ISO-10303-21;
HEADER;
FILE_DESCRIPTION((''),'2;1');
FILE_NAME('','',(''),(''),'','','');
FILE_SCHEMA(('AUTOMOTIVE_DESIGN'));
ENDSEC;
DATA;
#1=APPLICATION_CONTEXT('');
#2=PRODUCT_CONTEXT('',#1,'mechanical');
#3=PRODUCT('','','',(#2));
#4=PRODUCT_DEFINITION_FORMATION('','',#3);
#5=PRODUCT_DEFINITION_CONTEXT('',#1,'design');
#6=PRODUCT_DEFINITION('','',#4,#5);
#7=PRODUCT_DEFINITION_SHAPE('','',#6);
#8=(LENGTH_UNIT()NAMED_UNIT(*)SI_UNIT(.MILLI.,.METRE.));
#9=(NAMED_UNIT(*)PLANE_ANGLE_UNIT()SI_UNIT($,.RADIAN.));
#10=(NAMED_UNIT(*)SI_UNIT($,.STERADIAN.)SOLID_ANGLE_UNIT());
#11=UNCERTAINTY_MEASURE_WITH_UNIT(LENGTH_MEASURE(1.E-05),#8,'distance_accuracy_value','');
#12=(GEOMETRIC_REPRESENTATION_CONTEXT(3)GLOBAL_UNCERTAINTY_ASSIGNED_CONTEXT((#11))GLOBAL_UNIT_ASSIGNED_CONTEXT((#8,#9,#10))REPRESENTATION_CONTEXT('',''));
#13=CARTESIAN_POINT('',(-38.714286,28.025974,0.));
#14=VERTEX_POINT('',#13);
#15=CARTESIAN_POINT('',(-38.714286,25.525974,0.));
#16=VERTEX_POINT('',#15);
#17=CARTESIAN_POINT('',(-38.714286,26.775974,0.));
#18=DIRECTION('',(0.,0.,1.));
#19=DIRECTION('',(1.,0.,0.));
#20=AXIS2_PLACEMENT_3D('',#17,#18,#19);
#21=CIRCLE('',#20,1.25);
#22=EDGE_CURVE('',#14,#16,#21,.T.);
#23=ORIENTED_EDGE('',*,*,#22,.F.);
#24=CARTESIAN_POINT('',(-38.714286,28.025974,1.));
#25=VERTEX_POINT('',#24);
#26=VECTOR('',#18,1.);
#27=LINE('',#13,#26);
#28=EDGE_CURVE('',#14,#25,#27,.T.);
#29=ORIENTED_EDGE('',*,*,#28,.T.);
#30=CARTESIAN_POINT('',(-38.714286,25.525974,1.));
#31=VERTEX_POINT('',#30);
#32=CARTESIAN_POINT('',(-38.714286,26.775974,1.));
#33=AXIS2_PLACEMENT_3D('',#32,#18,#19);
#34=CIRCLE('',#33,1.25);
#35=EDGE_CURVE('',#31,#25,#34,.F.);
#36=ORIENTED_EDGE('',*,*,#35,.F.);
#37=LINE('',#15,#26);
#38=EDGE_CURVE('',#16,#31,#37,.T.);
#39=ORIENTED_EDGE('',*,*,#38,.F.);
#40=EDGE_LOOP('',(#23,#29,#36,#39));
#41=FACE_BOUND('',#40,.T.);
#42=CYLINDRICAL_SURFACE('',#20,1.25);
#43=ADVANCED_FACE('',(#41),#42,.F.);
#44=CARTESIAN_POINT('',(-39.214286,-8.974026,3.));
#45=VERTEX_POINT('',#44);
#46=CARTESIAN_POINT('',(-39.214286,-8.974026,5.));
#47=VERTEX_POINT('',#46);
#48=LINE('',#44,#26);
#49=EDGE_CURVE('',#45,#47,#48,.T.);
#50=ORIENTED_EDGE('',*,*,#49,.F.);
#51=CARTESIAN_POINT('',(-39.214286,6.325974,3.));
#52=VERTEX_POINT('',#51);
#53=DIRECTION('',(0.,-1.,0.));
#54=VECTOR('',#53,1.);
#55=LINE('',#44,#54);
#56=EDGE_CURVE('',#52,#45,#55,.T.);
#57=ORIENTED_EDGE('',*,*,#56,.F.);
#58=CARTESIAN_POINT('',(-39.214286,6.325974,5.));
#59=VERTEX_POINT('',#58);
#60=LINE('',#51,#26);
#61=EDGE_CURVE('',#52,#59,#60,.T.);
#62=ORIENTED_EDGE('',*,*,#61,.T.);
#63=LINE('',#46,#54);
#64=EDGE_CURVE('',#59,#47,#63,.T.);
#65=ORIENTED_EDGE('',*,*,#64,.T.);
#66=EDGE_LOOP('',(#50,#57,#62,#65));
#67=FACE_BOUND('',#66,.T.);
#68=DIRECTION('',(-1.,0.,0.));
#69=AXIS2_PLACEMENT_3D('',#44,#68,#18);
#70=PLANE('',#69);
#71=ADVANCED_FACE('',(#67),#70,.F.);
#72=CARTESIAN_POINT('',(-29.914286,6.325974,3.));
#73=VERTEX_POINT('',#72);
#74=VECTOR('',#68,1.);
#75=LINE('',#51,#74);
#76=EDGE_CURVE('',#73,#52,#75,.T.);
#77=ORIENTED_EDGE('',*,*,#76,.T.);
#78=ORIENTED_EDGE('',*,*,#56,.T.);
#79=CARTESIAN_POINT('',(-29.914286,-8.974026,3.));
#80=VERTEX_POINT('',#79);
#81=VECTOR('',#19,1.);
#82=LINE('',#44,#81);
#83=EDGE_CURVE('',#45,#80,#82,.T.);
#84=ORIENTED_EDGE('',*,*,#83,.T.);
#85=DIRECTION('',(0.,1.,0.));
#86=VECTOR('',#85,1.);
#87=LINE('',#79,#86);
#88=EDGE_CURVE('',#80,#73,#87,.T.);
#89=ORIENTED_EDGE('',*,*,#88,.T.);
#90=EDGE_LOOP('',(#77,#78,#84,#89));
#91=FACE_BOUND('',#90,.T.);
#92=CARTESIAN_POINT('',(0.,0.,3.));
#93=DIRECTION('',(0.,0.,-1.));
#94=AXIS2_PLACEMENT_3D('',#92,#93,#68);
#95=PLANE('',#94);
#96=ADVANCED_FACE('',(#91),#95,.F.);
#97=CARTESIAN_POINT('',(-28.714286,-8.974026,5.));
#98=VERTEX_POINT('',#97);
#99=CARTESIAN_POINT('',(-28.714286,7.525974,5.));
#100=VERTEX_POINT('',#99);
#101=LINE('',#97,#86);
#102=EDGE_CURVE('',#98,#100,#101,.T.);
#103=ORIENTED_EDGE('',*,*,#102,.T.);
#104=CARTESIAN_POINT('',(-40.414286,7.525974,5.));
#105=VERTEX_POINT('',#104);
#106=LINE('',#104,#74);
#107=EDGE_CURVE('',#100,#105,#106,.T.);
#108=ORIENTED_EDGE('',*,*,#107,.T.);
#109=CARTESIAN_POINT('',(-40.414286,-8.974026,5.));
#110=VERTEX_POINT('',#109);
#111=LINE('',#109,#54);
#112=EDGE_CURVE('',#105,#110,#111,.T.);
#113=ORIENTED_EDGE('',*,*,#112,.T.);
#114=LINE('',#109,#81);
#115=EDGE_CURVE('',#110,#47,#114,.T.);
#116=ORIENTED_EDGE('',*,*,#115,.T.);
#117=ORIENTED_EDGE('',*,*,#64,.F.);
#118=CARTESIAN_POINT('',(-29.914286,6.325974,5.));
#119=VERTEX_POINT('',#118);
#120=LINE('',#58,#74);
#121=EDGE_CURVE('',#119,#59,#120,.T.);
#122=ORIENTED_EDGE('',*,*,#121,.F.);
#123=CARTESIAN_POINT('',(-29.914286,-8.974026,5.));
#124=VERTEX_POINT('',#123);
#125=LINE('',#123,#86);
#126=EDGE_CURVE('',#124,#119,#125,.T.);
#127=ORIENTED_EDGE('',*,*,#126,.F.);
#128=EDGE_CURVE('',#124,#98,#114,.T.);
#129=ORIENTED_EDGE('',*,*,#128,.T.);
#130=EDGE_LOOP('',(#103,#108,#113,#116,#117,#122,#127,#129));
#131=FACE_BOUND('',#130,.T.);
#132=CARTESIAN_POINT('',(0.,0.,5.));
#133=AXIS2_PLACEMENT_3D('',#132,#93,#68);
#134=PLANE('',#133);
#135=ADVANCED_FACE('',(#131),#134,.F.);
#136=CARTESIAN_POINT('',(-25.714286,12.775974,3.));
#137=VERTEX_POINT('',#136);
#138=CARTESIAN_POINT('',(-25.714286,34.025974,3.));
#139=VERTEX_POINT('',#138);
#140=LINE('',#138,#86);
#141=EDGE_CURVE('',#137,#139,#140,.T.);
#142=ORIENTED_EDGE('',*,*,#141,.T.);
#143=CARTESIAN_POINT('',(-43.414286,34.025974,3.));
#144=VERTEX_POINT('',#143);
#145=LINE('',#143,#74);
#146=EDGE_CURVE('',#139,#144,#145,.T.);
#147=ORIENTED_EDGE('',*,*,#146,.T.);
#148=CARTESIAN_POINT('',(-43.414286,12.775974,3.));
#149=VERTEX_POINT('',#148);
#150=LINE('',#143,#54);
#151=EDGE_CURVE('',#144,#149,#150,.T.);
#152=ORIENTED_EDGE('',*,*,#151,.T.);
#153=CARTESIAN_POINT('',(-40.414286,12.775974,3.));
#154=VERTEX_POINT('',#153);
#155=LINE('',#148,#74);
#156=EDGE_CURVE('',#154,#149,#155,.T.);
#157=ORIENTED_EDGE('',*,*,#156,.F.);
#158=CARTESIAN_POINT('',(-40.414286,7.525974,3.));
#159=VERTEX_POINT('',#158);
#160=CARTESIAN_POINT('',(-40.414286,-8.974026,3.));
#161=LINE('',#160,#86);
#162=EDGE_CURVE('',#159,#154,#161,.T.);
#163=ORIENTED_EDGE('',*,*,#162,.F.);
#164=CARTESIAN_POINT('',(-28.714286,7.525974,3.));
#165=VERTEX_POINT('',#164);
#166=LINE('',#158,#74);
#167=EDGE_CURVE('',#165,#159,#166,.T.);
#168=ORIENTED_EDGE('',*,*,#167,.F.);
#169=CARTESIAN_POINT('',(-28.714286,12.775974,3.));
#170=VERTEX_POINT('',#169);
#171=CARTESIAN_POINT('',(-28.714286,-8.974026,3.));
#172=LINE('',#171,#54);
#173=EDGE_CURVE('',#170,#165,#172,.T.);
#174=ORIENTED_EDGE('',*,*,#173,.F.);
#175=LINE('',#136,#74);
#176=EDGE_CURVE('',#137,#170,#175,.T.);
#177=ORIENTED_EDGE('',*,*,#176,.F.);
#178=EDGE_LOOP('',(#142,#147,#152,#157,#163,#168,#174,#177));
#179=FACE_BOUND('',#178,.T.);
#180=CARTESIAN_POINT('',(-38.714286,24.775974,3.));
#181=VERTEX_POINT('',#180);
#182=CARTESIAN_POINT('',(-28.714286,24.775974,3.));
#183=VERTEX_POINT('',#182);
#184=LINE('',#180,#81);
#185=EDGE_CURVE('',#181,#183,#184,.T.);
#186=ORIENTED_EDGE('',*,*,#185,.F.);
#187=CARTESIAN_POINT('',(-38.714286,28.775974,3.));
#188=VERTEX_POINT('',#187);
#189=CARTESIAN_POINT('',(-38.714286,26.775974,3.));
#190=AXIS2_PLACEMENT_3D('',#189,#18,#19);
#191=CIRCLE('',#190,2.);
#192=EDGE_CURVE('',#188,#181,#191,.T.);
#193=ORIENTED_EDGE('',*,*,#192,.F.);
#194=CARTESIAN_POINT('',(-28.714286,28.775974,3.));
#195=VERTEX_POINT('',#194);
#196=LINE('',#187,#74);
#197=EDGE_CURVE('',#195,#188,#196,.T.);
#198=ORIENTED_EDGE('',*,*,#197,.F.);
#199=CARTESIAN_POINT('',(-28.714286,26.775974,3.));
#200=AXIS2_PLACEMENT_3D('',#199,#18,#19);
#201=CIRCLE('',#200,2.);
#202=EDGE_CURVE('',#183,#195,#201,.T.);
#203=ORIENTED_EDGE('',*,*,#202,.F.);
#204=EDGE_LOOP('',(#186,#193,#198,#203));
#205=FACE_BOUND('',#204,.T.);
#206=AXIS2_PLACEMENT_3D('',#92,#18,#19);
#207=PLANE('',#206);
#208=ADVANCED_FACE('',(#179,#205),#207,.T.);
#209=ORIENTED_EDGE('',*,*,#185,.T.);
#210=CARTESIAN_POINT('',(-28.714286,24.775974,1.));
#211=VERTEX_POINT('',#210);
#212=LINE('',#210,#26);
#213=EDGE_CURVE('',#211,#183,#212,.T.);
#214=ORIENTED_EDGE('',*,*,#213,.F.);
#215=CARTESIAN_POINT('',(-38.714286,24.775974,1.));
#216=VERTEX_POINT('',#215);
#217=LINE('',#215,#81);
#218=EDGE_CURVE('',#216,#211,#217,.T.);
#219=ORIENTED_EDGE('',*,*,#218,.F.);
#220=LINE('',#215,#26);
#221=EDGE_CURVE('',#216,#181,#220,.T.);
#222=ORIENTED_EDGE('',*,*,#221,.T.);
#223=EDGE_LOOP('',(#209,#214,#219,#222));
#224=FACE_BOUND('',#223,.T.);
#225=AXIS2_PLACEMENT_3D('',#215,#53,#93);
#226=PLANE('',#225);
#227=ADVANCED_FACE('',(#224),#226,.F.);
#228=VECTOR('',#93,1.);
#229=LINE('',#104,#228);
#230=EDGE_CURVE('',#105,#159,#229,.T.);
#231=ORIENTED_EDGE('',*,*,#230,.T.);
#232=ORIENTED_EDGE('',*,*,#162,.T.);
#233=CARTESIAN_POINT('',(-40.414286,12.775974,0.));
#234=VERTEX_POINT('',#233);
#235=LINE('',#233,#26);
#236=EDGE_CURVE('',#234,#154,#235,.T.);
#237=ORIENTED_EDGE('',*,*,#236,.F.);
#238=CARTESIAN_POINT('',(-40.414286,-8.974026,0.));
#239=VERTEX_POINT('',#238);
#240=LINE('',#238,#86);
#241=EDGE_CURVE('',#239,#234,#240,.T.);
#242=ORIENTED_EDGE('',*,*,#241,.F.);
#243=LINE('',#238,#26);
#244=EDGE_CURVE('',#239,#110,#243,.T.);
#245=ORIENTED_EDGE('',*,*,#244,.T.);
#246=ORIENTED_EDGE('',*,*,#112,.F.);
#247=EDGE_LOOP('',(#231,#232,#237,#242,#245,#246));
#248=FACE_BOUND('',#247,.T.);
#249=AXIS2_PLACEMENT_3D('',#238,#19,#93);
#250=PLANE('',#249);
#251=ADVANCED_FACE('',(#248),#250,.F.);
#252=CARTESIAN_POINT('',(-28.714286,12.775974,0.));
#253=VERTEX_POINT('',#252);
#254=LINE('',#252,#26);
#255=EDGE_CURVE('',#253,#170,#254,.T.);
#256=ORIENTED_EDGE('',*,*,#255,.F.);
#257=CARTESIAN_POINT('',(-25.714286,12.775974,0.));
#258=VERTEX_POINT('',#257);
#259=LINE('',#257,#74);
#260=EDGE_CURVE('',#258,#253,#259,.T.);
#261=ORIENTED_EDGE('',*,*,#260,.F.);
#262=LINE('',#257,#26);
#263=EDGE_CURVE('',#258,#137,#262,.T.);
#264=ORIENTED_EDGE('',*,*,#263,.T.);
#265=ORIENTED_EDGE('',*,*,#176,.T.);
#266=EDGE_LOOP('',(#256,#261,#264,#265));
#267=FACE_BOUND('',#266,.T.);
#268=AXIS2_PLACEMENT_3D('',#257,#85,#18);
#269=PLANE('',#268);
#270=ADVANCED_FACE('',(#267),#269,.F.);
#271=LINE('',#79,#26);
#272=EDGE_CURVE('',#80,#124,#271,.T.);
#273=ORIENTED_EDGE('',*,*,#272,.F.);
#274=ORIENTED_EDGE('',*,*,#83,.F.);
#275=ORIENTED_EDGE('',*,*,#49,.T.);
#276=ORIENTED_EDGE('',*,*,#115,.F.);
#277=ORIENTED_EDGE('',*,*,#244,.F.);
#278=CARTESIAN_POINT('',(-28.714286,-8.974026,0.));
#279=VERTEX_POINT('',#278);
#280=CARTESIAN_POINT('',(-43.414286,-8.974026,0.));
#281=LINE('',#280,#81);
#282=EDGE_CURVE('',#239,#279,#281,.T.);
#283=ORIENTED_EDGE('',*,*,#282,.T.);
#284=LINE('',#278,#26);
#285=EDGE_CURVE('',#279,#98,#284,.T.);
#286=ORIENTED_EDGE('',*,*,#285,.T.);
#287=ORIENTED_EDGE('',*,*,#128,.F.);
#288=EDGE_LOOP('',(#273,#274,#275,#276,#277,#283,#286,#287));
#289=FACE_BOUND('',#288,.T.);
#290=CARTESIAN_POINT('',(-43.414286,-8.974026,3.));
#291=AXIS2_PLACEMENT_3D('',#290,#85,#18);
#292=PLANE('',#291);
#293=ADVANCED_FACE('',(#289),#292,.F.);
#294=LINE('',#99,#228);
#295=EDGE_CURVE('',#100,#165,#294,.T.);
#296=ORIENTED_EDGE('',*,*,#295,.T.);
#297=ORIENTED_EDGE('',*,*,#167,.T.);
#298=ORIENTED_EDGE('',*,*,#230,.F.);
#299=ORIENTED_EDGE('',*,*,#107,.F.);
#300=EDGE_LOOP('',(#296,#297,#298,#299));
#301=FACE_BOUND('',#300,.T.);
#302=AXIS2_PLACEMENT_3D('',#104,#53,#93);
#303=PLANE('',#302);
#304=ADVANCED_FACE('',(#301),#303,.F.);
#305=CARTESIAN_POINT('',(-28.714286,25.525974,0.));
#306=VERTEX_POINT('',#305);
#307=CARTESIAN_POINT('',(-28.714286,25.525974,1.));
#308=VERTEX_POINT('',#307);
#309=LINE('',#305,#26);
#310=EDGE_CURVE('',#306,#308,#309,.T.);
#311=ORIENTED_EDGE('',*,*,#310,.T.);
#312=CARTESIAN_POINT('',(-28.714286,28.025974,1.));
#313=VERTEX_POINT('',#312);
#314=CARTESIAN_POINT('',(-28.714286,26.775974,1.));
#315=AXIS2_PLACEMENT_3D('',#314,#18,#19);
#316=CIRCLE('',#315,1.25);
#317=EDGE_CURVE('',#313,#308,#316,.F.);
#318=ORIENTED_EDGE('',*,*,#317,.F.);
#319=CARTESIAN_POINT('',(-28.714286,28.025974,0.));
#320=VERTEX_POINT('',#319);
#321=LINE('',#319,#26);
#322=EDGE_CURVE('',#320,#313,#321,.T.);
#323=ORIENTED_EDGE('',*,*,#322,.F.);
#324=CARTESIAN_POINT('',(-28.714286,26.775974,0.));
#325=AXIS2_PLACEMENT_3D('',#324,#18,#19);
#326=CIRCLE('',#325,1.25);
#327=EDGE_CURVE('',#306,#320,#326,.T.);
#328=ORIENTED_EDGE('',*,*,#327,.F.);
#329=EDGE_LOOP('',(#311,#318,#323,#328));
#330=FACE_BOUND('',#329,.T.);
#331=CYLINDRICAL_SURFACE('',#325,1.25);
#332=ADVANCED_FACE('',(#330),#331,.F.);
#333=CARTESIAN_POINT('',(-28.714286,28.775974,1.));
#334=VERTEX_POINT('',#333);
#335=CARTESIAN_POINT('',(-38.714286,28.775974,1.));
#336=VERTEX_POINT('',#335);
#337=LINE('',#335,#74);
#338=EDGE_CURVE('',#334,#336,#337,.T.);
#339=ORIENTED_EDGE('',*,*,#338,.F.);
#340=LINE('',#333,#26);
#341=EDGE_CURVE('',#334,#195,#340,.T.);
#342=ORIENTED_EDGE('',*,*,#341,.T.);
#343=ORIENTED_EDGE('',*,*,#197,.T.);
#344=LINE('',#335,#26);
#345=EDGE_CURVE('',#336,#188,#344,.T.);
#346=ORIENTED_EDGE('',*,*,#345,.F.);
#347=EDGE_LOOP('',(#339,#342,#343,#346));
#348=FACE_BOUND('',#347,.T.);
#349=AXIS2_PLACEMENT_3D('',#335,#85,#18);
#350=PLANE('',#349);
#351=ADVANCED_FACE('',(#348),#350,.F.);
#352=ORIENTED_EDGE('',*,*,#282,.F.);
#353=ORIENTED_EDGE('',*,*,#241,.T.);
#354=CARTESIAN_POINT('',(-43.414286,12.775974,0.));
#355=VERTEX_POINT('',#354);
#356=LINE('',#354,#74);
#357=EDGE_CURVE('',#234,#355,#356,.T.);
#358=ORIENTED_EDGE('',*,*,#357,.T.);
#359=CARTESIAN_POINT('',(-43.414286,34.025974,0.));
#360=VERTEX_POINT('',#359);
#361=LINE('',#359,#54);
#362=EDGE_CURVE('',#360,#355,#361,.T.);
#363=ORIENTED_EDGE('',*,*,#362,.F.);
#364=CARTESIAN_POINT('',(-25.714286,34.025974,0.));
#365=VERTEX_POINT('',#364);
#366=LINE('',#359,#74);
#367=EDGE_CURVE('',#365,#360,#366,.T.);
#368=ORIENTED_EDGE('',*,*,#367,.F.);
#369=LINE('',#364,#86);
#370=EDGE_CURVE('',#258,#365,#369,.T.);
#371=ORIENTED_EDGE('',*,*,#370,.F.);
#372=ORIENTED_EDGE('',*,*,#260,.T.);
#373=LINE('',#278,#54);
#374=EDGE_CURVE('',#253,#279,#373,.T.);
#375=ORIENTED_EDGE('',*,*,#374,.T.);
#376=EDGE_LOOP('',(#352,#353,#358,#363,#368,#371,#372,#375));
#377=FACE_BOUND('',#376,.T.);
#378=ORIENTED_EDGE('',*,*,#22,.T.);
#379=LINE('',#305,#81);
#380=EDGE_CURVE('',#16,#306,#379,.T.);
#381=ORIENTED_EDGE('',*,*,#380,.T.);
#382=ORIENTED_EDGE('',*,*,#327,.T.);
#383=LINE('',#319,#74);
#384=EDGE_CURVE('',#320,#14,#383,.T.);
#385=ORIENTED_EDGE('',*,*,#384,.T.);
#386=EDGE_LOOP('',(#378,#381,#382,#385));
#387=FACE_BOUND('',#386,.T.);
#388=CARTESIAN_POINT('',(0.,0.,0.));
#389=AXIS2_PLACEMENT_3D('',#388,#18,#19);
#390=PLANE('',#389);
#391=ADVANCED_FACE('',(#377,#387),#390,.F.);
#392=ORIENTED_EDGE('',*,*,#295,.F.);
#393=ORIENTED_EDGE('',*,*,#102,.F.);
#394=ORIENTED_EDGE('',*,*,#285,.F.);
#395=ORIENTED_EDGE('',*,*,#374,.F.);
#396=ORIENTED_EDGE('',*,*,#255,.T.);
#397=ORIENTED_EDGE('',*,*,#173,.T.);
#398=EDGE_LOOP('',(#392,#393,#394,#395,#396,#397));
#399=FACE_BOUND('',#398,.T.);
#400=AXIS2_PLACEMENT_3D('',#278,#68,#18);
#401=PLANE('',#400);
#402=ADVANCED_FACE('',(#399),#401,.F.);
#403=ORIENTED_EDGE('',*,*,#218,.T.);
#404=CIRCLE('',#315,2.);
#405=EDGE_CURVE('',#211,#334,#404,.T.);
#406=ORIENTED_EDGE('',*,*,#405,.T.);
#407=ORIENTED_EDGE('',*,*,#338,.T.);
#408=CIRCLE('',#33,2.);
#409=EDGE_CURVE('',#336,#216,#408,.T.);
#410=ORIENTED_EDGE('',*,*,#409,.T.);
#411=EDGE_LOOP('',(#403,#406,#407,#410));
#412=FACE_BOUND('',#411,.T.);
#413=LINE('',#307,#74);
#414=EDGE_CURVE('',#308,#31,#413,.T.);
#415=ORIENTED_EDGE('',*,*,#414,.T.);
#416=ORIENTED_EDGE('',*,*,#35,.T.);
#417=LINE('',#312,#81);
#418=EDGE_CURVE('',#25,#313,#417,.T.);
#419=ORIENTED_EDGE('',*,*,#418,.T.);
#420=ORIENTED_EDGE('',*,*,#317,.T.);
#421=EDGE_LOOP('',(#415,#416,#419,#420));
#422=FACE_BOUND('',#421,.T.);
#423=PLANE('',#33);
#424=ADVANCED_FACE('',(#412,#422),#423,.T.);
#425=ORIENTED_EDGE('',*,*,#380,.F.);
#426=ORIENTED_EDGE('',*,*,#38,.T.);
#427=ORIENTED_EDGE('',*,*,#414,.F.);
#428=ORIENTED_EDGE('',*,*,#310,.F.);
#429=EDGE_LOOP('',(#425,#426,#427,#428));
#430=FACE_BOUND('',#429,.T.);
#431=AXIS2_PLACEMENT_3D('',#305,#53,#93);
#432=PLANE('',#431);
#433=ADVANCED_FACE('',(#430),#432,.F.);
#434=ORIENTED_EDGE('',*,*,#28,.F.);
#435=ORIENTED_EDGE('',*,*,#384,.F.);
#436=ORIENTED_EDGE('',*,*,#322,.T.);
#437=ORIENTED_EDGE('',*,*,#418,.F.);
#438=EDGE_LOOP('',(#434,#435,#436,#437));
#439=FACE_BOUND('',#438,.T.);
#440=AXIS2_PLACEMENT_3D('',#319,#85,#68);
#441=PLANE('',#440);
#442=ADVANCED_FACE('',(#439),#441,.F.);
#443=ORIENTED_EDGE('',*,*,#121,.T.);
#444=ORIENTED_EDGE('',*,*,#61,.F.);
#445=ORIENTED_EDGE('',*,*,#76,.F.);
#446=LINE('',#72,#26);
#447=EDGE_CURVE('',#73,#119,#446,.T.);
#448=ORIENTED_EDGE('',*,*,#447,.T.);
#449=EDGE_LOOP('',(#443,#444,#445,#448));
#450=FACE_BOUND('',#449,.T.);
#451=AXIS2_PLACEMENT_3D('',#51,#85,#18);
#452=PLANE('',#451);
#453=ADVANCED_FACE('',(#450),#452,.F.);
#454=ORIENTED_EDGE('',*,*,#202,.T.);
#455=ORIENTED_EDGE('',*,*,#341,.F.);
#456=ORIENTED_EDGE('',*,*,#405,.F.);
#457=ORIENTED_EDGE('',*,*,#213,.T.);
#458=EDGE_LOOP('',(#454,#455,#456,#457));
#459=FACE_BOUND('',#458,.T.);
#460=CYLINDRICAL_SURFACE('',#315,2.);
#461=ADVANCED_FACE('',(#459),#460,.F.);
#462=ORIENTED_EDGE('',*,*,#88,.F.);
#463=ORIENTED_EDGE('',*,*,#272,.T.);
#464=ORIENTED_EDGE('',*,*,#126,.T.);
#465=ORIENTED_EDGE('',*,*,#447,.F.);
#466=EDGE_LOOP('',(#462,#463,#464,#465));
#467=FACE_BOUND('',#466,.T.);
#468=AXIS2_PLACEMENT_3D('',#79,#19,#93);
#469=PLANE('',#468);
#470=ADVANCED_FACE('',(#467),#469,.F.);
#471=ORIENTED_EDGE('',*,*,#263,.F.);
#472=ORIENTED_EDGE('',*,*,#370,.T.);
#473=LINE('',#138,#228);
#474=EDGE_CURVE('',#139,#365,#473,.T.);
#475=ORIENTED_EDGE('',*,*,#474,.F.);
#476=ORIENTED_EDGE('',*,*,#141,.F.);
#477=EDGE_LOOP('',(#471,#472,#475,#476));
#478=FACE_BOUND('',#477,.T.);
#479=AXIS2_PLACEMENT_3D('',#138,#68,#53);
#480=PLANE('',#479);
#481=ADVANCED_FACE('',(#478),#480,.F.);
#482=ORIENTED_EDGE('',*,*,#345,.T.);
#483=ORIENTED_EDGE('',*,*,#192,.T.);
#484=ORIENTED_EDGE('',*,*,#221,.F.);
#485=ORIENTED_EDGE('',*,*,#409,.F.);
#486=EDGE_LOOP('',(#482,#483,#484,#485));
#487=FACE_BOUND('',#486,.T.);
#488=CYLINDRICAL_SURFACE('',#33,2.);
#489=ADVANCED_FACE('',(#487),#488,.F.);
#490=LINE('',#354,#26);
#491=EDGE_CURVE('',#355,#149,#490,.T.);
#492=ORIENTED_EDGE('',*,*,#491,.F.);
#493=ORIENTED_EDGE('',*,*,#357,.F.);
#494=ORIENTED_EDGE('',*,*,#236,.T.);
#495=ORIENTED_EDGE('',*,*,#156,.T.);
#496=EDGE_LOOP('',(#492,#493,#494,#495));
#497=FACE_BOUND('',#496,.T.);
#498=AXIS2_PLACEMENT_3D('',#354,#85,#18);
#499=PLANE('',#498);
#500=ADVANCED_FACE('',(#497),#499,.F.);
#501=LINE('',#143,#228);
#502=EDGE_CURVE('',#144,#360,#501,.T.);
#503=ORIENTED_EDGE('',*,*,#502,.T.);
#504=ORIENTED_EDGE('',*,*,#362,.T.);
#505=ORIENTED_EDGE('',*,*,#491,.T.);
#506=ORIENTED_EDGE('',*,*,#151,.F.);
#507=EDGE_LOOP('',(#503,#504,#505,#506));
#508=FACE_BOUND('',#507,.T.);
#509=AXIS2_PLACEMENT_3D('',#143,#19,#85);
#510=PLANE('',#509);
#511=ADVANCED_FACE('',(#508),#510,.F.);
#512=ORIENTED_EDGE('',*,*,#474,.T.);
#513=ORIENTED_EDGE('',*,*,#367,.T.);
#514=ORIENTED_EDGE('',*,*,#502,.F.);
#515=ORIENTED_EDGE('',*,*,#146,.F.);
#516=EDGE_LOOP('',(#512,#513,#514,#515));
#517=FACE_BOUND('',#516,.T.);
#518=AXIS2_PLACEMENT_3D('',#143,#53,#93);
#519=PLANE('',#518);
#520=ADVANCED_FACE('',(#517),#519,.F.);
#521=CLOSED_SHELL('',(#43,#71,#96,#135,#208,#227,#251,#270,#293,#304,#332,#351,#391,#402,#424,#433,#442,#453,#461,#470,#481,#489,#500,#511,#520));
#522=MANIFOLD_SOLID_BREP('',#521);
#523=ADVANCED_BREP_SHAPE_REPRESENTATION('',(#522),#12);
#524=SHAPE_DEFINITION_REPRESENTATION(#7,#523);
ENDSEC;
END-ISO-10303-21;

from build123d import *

# Parameters (mm, degrees)
SKETCH1_W           = 17.7
SKETCH1_H           = 43
BOSS_EXTRUDE1_DEPTH = 3
SKETCH2_W           = 3
SKETCH2_H           = 21.75
CUT_EXTRUDE1_DEPTH  = 56.240991234
CUT_EXTRUDE2_DEPTH  = 56.240991234
CUT_EXTRUDE3_DEPTH  = 2
SKETCH5_W           = 11.7
SKETCH5_H           = 16.5
BOSS_EXTRUDE2_DEPTH = 2
SKETCH6_W           = 9.3
SKETCH6_H           = 15.3
CUT_EXTRUDE4_DEPTH  = 2


with BuildPart() as part:
    # Sketch1 → Boss-Extrude1 (new body)
    with BuildSketch(Plane.XY):
        with Locations((-34.564285714, 12.525974026)):
            Rectangle(SKETCH1_W, SKETCH1_H)
    extrude(amount=BOSS_EXTRUDE1_DEPTH)

    # Sketch2 → Cut-Extrude1 (cut, through all)
    with BuildSketch(Plane.XY.offset(3)):
        with Locations((-41.914285714, 1.900974026)):
            Rectangle(SKETCH2_W, SKETCH2_H)
        with Locations((-27.214285714, 1.900974026)):
            Rectangle(SKETCH2_W, SKETCH2_H)
    extrude(amount=-CUT_EXTRUDE1_DEPTH, mode=Mode.SUBTRACT)

    # Sketch3 → Cut-Extrude2 (cut, through all)
    with BuildSketch(Plane.XY.offset(3)):
        with BuildLine():
            Line((-28.714285714, 25.525974026), (-38.714285714, 25.525974026))
            ThreePointArc((-38.714285714, 25.525974026), (-39.964285714, 26.775974026), (-38.714285714, 28.025974026))
            Line((-38.714285714, 28.025974026), (-28.714285714, 28.025974026))
            ThreePointArc((-28.714285714, 28.025974026), (-27.464285714, 26.775974026), (-28.714285714, 25.525974026))
        make_face()
    extrude(amount=-CUT_EXTRUDE2_DEPTH, mode=Mode.SUBTRACT)

    # Sketch4 → Cut-Extrude3 (cut)
    with BuildSketch(Plane.XY.offset(3)):
        with BuildLine():
            Line((-38.714285714, 28.775974026), (-28.714285714, 28.775974026))
            ThreePointArc((-28.714285714, 28.775974026), (-26.714285714, 26.775974026), (-28.714285714, 24.775974026))
            Line((-28.714285714, 24.775974026), (-38.714285714, 24.775974026))
            ThreePointArc((-38.714285714, 24.775974026), (-40.714285714, 26.775974026), (-38.714285714, 28.775974026))
        make_face()
    extrude(amount=-CUT_EXTRUDE3_DEPTH, mode=Mode.SUBTRACT)

    # Sketch5 → Boss-Extrude2 (add)
    with BuildSketch(Plane.XY.offset(3)):
        with Locations((-34.564285714, -0.724025974)):
            Rectangle(SKETCH5_W, SKETCH5_H)
    extrude(amount=BOSS_EXTRUDE2_DEPTH)

    # Sketch6 → Cut-Extrude4 (cut)
    with BuildSketch(Plane.XY.offset(5)):
        with Locations((-34.564285714, -1.324025974)):
            Rectangle(SKETCH6_W, SKETCH6_H)
    extrude(amount=-CUT_EXTRUDE4_DEPTH, mode=Mode.SUBTRACT)


solid = part.part
